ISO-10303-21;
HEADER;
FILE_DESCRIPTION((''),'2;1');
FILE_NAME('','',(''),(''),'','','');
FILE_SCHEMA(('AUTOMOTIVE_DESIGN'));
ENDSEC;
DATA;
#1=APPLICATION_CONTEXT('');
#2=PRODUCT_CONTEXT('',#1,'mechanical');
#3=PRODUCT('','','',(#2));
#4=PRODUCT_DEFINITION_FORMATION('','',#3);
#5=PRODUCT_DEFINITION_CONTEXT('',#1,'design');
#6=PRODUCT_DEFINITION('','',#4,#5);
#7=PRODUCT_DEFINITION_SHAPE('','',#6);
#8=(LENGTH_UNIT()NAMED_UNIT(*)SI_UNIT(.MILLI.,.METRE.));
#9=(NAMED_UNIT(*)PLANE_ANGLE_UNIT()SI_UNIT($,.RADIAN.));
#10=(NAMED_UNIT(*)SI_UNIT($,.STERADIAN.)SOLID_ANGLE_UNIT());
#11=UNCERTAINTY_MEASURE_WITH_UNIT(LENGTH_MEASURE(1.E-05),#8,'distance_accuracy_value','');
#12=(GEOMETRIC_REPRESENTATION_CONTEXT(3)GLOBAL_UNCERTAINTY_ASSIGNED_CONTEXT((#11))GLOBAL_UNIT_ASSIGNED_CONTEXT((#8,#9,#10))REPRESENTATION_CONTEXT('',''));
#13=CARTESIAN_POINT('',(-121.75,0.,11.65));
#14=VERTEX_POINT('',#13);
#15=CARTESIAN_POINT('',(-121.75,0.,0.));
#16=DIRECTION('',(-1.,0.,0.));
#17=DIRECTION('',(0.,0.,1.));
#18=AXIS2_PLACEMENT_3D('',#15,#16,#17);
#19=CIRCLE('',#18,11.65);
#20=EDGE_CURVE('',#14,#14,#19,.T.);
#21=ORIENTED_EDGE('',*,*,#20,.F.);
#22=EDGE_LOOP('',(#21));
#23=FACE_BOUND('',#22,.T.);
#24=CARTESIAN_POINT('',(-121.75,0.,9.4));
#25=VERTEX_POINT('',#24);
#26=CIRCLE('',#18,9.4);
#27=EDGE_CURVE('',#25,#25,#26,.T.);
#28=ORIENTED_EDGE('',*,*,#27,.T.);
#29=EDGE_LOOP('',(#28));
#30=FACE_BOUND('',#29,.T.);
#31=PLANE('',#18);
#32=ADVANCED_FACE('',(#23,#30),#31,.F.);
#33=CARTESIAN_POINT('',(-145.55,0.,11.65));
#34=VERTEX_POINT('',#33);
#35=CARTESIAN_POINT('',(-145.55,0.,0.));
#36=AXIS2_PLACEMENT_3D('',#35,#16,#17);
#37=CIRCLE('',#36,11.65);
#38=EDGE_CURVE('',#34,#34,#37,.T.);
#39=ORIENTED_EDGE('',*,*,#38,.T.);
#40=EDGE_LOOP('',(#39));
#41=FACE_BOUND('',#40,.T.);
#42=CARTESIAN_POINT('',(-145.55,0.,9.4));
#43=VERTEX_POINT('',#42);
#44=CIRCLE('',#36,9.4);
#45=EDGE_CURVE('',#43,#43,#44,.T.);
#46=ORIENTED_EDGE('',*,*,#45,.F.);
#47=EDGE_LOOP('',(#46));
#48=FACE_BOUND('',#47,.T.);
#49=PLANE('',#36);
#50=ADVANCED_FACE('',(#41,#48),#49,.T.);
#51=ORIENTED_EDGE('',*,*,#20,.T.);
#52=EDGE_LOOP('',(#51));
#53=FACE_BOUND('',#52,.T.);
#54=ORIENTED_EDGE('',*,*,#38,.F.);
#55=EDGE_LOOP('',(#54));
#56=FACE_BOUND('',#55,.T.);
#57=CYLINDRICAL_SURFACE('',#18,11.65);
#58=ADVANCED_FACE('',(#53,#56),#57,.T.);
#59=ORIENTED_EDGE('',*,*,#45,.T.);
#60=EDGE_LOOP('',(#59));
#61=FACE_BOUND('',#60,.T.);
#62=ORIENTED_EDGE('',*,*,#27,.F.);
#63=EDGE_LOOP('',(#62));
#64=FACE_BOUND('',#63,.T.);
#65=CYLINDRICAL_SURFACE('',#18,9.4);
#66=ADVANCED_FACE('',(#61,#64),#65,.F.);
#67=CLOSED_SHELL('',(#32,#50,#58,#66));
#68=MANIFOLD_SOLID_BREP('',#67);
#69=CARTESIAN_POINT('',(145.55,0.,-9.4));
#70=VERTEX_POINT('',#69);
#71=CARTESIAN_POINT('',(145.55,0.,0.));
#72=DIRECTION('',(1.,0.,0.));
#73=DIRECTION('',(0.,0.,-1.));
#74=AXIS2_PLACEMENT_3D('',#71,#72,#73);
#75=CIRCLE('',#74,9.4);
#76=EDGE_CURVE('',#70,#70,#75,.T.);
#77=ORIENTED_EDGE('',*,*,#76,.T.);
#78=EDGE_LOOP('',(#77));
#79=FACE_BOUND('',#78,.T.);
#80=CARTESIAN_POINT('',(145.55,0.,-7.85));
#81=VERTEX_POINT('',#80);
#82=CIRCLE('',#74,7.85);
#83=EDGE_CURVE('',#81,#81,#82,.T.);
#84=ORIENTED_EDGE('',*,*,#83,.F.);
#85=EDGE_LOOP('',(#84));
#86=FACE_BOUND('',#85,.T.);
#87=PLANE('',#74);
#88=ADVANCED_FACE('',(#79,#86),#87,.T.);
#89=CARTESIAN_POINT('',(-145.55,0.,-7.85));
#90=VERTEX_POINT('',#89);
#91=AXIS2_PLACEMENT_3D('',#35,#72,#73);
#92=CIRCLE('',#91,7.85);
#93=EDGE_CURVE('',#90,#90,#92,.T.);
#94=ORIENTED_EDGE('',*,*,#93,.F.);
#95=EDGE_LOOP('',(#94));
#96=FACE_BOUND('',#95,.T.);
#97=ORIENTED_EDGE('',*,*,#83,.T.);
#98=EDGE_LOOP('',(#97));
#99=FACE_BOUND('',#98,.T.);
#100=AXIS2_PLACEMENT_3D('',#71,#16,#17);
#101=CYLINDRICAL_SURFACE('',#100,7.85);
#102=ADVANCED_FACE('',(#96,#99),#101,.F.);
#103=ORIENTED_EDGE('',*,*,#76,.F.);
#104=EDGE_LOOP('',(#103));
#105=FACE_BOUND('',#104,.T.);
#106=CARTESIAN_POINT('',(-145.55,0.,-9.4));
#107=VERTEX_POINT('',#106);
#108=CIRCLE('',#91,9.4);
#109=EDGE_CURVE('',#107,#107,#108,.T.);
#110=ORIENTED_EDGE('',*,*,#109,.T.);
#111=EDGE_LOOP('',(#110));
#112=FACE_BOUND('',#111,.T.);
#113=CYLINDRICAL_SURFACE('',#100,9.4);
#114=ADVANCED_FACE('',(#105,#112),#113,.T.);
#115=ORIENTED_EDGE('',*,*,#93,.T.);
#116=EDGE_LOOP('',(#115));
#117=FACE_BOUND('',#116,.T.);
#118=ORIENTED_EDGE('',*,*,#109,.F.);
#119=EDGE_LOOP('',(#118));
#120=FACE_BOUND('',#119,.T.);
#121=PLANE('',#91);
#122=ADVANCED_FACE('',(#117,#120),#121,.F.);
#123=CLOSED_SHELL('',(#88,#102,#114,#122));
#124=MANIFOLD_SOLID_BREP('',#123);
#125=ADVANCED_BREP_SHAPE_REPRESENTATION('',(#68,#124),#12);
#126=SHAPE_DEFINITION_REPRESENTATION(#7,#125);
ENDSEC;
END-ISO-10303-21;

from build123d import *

# Parameters (mm, degrees)
SKETCH1_R           = 9.4
SKETCH1_R_2         = 7.85
BOSS_EXTRUDE1_DEPTH = 145.55
SKETCH2_R           = 11.65
SKETCH2_R_2         = 9.4
BOSS_EXTRUDE2_DEPTH = 23.8


with BuildPart() as part:
    # Sketch1 → Boss-Extrude1 (new, symmetric)
    with BuildSketch(Plane(origin=(0, 0, 0), x_dir=(0, 0, -1), z_dir=(1, 0, 0))):
        Circle(SKETCH1_R)
        Circle(SKETCH1_R_2, mode=Mode.SUBTRACT)
    extrude(amount=BOSS_EXTRUDE1_DEPTH, both=True)


with BuildPart() as body_2:
    # Sketch2 → Boss-Extrude2 (new body)
    with BuildSketch(Plane.ZY.offset(145.55)):
        Circle(SKETCH2_R)
        Circle(SKETCH2_R_2, mode=Mode.SUBTRACT)
    extrude(amount=-BOSS_EXTRUDE2_DEPTH)


solid = Compound([part.part, body_2.part])
